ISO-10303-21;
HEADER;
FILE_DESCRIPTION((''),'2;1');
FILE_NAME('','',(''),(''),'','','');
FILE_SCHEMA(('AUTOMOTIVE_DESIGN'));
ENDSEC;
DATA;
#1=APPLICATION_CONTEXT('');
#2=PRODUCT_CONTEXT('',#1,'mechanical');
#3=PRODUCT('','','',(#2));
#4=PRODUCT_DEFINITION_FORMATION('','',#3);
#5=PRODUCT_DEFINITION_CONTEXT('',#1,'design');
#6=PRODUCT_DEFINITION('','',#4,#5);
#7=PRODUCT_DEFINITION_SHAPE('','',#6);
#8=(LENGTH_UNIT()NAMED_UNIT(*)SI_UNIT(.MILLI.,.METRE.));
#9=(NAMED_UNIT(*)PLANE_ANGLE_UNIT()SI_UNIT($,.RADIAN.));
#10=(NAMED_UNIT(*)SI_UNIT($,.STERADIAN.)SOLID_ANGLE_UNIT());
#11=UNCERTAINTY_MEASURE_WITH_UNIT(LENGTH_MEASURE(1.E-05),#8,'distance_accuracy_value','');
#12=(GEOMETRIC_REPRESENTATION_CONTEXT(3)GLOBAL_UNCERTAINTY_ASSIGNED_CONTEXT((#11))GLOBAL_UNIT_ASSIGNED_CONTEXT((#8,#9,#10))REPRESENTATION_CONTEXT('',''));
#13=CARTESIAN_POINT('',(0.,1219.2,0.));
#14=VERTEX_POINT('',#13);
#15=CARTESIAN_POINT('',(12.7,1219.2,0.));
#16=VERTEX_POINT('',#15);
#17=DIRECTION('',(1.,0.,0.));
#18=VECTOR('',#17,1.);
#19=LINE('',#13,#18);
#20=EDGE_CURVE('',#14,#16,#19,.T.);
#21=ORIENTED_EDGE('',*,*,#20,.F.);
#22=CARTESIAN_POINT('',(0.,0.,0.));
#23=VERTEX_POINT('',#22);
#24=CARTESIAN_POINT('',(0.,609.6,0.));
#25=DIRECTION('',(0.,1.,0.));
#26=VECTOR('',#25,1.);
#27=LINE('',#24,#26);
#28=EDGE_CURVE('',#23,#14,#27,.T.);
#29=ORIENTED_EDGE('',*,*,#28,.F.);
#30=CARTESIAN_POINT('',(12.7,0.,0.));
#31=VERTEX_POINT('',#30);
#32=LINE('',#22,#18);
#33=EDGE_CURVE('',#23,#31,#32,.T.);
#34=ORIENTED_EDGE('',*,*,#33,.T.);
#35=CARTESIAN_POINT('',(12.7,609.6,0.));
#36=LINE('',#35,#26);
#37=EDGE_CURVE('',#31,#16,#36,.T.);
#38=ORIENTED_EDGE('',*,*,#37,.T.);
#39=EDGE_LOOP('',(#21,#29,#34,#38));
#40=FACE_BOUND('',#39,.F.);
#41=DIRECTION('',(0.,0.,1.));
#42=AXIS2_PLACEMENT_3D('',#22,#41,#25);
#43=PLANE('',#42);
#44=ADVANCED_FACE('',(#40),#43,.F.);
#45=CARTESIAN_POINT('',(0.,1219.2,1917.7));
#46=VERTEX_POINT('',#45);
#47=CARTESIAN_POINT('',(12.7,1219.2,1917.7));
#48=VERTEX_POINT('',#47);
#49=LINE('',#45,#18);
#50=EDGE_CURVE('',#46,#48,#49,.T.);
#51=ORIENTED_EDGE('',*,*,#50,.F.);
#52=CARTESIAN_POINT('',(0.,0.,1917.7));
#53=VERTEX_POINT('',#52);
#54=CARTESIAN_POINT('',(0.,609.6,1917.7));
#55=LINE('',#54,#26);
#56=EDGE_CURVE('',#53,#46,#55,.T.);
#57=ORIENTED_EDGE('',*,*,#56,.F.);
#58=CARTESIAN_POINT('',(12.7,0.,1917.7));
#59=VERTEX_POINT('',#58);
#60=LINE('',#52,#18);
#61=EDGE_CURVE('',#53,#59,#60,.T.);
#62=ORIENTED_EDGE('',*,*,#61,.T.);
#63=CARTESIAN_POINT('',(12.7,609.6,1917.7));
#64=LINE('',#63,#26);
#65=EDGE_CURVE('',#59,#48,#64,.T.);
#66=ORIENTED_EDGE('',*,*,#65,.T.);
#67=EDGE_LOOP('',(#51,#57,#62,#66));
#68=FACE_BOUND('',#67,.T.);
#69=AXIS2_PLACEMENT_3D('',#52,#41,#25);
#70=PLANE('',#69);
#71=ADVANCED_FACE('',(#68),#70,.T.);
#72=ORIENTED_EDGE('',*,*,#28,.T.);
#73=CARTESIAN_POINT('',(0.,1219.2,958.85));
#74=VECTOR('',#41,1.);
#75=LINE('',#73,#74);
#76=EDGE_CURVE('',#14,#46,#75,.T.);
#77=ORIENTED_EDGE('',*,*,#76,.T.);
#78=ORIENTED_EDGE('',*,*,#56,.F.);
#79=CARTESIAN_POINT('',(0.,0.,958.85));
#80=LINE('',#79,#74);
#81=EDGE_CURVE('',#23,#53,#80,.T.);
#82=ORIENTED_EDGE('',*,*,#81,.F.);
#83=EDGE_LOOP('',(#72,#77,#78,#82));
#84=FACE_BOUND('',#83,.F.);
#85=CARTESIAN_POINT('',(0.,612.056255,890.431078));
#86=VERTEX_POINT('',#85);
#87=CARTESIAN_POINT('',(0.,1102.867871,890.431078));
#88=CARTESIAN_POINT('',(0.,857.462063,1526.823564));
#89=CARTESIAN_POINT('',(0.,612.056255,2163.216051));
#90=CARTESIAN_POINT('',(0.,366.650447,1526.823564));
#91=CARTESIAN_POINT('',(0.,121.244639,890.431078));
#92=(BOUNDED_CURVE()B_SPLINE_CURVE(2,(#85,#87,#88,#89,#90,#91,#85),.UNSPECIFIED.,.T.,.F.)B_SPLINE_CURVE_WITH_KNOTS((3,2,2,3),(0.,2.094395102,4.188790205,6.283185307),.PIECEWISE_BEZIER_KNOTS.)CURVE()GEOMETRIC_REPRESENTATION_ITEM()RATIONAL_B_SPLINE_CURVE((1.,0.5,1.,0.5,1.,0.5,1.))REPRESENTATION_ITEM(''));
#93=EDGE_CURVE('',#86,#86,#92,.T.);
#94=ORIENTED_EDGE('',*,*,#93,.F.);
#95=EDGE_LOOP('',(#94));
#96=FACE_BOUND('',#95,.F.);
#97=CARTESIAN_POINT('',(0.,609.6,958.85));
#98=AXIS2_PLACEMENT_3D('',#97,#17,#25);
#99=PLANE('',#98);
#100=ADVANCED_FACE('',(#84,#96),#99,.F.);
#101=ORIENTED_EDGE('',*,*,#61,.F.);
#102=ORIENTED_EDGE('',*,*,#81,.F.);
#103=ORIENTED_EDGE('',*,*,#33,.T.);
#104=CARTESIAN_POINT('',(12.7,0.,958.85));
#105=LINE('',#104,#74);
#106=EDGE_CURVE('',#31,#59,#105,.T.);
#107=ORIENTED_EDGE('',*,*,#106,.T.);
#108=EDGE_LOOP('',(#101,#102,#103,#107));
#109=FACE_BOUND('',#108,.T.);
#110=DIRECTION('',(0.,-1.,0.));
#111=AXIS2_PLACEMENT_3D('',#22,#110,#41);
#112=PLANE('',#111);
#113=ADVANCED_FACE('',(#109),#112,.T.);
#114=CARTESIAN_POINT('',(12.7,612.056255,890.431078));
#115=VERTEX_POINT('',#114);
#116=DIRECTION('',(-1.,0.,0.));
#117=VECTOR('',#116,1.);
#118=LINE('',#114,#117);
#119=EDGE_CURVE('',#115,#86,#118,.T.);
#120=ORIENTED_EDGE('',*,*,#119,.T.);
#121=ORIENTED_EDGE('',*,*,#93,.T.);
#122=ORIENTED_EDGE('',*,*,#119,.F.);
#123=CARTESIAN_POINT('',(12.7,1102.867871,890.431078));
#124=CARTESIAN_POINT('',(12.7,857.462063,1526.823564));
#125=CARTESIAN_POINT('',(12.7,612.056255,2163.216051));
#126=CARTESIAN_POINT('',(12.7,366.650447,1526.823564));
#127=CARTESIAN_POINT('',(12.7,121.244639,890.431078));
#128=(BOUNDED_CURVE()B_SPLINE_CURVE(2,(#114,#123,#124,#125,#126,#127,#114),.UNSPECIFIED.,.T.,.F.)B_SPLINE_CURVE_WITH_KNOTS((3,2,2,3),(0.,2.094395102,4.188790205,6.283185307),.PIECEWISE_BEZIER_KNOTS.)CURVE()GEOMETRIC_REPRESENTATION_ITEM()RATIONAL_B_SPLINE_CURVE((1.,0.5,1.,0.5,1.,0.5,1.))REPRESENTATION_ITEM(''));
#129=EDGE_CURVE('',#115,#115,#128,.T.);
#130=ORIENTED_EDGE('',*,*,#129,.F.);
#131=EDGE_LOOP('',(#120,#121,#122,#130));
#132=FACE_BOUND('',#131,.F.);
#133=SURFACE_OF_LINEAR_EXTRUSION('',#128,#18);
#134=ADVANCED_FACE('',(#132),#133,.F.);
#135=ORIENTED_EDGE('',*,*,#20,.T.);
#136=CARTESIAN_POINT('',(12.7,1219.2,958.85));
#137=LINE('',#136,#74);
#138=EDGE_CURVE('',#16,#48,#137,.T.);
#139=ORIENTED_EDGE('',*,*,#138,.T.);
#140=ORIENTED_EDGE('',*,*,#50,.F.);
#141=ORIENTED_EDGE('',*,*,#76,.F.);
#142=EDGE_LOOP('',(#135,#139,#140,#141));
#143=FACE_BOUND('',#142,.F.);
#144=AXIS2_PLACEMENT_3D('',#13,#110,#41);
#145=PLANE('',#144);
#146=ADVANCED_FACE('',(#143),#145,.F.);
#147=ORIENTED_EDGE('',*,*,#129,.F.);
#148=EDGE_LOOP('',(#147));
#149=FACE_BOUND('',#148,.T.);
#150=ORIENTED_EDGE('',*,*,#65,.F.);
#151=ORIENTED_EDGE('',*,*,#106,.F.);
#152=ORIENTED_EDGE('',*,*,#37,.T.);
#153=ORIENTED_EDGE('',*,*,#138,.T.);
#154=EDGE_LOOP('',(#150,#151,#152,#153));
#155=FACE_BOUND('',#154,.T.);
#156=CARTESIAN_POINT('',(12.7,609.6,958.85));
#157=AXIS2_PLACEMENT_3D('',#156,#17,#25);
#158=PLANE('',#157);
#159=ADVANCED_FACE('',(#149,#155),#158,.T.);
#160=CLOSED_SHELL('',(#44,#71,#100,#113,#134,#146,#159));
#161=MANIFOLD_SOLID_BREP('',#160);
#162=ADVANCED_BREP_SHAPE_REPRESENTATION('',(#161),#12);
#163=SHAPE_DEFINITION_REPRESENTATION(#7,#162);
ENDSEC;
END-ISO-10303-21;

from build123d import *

# Parameters (mm, degrees)
F0_W     = 1219.2
F0_H     = 1917.7
F1_DEPTH = 12.7
F3_DEPTH = 12.7


with BuildPart() as f1:
    # F0 (on Right) → F1 (new body)
    with BuildSketch(Plane.YZ):
        with Locations((609.6, 958.85)):
            Rectangle(F0_W, F0_H)
    extrude(amount=F1_DEPTH)

    # F2 (on face) → F3 (cut)
    with BuildSketch(Plane.YZ.offset(12.7)):
        with BuildLine():
            add(Edge.make_bspline(
                [(612.0562553406, 890.4310781131), (1102.8678712659, 890.4310781131), (857.4620633032, 1526.8235644514), (612.0562553406, 2163.2160507898), (366.6504473779, 1526.8235644514), (121.2446394153, 890.4310781131), (612.0562553406, 890.4310781131)],
                knots=[0, 0, 0, 2.0943951024, 2.0943951024, 4.1887902048, 4.1887902048, 6.2831853072, 6.2831853072, 6.2831853072], degree=2, weights=[1, 0.5, 1, 0.5, 1, 0.5, 1]))
        make_face()
    extrude(amount=-F3_DEPTH, mode=Mode.SUBTRACT)


solid = f1.part
